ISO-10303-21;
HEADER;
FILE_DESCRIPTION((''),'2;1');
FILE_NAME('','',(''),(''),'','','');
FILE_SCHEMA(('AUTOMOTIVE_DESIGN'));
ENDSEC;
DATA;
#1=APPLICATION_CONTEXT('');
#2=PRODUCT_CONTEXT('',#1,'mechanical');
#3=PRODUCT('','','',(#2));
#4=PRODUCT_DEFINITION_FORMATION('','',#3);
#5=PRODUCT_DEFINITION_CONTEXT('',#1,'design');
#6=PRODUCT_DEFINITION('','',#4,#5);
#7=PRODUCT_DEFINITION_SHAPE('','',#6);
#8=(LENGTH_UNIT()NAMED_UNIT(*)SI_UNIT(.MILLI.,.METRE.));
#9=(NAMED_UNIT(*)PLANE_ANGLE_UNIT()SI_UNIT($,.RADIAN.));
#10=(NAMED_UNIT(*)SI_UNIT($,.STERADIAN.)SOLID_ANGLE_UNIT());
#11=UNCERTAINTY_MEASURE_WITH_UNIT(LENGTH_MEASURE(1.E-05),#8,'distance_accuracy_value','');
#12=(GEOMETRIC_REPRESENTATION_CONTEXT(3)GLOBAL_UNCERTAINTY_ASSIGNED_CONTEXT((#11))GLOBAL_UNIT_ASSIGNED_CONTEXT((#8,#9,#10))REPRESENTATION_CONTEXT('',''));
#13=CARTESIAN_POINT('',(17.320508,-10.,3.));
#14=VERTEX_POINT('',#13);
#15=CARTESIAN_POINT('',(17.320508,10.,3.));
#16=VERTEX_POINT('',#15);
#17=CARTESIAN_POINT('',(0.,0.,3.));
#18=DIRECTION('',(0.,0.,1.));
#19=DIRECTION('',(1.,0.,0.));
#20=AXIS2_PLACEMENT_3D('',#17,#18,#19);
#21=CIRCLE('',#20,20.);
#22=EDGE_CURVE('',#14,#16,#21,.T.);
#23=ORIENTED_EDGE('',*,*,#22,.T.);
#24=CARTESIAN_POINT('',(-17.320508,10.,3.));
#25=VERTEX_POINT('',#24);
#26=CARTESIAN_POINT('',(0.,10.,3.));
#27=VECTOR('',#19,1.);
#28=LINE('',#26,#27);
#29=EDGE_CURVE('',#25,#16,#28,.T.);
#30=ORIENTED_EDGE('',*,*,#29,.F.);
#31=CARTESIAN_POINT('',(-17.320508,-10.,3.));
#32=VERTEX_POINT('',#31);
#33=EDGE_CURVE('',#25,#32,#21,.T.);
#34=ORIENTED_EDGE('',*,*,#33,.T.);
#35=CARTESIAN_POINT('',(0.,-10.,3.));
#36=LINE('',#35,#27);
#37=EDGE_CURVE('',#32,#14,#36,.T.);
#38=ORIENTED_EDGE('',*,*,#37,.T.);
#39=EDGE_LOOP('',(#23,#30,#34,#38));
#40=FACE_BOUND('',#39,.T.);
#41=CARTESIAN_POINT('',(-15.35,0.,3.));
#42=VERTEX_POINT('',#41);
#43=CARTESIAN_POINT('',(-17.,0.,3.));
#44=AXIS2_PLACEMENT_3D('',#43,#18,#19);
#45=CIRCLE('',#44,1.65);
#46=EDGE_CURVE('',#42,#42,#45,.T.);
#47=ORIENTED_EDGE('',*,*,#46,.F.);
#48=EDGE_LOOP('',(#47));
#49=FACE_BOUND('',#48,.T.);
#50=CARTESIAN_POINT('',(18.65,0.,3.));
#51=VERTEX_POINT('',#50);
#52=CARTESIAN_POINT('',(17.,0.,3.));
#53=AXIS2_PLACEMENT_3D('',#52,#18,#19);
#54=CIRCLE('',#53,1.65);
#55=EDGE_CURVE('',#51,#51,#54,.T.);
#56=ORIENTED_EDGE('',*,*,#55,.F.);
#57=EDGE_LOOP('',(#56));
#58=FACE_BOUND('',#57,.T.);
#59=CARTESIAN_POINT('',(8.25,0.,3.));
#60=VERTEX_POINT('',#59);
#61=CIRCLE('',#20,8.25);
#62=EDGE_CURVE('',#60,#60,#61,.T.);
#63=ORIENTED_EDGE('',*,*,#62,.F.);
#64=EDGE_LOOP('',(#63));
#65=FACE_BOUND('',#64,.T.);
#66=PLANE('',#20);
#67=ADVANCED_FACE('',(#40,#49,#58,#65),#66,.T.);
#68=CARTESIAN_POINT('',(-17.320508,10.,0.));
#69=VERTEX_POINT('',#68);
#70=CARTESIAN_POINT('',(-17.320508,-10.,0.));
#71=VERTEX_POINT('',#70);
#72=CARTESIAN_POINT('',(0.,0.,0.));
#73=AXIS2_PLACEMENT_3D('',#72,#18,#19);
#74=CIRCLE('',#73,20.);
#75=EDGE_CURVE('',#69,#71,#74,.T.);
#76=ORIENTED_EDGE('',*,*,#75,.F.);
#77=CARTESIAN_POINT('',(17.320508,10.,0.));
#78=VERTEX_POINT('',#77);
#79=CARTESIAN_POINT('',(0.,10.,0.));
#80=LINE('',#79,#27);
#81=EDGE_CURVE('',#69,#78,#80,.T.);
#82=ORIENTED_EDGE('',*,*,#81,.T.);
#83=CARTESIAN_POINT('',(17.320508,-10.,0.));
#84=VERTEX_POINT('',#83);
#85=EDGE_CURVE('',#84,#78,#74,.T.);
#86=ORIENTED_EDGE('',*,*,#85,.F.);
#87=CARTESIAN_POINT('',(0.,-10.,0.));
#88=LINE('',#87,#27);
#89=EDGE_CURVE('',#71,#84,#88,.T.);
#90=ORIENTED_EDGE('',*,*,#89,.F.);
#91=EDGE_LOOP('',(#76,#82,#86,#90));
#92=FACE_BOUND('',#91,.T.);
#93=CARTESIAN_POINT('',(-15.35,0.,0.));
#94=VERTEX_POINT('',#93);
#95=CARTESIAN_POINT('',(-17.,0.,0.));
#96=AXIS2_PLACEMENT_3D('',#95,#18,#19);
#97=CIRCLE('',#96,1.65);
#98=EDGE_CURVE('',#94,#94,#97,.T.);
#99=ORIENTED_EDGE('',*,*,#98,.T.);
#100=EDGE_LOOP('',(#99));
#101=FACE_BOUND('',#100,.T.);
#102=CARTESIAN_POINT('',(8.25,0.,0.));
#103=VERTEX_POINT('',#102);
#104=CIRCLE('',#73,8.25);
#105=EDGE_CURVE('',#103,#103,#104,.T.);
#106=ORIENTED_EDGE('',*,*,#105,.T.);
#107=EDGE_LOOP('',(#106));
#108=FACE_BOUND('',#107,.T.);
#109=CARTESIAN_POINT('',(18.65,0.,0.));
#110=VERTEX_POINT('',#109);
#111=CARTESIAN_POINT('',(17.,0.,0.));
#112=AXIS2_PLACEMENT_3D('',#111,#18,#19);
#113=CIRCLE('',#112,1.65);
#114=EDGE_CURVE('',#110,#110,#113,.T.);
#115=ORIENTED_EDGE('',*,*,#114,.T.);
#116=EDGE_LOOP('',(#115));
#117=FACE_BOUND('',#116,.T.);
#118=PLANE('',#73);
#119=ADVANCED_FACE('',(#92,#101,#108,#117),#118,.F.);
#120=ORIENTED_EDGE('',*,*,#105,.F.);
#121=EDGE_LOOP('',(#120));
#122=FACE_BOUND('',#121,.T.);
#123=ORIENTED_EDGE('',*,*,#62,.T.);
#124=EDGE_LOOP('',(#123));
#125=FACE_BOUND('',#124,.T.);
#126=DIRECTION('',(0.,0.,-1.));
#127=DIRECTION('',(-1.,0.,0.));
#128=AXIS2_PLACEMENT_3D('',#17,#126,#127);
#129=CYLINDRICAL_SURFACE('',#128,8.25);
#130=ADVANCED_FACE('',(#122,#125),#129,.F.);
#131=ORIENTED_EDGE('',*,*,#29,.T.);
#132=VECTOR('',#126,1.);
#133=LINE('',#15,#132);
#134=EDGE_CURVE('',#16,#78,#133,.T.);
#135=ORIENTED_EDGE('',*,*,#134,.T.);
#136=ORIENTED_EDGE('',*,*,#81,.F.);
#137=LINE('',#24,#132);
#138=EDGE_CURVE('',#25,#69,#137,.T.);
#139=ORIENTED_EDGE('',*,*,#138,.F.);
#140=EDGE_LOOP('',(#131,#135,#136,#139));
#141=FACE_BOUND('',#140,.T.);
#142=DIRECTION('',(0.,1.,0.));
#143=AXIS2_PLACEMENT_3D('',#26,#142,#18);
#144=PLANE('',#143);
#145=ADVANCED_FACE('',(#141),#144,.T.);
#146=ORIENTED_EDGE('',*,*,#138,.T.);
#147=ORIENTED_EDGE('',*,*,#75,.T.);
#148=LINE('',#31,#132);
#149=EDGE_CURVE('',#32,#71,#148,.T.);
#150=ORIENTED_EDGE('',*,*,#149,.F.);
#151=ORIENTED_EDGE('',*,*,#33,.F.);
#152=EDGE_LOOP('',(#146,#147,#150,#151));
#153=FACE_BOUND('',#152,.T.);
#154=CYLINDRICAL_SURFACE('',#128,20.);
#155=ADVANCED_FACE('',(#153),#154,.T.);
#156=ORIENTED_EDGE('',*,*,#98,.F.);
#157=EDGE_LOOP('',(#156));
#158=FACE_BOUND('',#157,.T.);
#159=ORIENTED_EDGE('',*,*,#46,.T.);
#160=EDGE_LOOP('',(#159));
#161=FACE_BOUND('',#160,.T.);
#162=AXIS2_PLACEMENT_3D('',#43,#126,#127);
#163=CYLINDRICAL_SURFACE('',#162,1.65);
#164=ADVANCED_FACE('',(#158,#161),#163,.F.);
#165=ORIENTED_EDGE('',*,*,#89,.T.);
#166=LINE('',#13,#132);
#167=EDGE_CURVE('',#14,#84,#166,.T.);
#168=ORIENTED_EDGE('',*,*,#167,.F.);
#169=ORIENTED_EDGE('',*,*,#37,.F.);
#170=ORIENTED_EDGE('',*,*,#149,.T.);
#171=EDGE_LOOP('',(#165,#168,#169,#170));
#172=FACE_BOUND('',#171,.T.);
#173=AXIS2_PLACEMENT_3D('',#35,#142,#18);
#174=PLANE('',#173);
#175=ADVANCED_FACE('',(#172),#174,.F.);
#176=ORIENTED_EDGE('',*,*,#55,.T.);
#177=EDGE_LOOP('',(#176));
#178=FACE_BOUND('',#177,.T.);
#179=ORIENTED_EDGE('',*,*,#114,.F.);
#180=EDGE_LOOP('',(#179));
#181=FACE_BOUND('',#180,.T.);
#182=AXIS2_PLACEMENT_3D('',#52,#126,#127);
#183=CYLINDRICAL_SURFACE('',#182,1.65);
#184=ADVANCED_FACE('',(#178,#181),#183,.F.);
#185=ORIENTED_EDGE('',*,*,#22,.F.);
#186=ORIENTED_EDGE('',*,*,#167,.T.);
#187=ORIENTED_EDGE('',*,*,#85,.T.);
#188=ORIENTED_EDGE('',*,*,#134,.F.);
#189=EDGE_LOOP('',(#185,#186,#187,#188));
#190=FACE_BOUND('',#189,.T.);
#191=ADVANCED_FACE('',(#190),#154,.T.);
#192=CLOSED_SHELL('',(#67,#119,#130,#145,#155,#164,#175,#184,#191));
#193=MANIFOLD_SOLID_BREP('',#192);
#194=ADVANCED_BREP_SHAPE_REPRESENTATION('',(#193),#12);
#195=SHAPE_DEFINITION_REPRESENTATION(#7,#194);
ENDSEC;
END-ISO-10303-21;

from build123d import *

# Parameters (mm, degrees)
SKETCH_1_R      = 1.65
SKETCH_1_R_2    = 8.25
EXTRUDE_1_DEPTH = 3


with BuildPart() as part:
    # 草图1 → 凸台-拉伸1 (new body)
    with BuildSketch(Plane.XY):
        with BuildLine():
            ThreePointArc((-17.320508076, 10), (-20, 0), (-17.320508076, -10))
            Line((-17.320508076, -10), (17.320508076, -10))
            ThreePointArc((17.320508076, -10), (19.318516526, -5.176380902), (20, 0))
            ThreePointArc((20, 0), (19.318516526, 5.176380902), (17.320508076, 10))
            Line((17.320508076, 10), (-17.320508076, 10))
        make_face()
        with Locations((-17, 0)):
            Circle(SKETCH_1_R, mode=Mode.SUBTRACT)
        Circle(SKETCH_1_R_2, mode=Mode.SUBTRACT)
        with Locations((17, 0)):
            Circle(SKETCH_1_R, mode=Mode.SUBTRACT)
    extrude(amount=EXTRUDE_1_DEPTH)


solid = part.part
